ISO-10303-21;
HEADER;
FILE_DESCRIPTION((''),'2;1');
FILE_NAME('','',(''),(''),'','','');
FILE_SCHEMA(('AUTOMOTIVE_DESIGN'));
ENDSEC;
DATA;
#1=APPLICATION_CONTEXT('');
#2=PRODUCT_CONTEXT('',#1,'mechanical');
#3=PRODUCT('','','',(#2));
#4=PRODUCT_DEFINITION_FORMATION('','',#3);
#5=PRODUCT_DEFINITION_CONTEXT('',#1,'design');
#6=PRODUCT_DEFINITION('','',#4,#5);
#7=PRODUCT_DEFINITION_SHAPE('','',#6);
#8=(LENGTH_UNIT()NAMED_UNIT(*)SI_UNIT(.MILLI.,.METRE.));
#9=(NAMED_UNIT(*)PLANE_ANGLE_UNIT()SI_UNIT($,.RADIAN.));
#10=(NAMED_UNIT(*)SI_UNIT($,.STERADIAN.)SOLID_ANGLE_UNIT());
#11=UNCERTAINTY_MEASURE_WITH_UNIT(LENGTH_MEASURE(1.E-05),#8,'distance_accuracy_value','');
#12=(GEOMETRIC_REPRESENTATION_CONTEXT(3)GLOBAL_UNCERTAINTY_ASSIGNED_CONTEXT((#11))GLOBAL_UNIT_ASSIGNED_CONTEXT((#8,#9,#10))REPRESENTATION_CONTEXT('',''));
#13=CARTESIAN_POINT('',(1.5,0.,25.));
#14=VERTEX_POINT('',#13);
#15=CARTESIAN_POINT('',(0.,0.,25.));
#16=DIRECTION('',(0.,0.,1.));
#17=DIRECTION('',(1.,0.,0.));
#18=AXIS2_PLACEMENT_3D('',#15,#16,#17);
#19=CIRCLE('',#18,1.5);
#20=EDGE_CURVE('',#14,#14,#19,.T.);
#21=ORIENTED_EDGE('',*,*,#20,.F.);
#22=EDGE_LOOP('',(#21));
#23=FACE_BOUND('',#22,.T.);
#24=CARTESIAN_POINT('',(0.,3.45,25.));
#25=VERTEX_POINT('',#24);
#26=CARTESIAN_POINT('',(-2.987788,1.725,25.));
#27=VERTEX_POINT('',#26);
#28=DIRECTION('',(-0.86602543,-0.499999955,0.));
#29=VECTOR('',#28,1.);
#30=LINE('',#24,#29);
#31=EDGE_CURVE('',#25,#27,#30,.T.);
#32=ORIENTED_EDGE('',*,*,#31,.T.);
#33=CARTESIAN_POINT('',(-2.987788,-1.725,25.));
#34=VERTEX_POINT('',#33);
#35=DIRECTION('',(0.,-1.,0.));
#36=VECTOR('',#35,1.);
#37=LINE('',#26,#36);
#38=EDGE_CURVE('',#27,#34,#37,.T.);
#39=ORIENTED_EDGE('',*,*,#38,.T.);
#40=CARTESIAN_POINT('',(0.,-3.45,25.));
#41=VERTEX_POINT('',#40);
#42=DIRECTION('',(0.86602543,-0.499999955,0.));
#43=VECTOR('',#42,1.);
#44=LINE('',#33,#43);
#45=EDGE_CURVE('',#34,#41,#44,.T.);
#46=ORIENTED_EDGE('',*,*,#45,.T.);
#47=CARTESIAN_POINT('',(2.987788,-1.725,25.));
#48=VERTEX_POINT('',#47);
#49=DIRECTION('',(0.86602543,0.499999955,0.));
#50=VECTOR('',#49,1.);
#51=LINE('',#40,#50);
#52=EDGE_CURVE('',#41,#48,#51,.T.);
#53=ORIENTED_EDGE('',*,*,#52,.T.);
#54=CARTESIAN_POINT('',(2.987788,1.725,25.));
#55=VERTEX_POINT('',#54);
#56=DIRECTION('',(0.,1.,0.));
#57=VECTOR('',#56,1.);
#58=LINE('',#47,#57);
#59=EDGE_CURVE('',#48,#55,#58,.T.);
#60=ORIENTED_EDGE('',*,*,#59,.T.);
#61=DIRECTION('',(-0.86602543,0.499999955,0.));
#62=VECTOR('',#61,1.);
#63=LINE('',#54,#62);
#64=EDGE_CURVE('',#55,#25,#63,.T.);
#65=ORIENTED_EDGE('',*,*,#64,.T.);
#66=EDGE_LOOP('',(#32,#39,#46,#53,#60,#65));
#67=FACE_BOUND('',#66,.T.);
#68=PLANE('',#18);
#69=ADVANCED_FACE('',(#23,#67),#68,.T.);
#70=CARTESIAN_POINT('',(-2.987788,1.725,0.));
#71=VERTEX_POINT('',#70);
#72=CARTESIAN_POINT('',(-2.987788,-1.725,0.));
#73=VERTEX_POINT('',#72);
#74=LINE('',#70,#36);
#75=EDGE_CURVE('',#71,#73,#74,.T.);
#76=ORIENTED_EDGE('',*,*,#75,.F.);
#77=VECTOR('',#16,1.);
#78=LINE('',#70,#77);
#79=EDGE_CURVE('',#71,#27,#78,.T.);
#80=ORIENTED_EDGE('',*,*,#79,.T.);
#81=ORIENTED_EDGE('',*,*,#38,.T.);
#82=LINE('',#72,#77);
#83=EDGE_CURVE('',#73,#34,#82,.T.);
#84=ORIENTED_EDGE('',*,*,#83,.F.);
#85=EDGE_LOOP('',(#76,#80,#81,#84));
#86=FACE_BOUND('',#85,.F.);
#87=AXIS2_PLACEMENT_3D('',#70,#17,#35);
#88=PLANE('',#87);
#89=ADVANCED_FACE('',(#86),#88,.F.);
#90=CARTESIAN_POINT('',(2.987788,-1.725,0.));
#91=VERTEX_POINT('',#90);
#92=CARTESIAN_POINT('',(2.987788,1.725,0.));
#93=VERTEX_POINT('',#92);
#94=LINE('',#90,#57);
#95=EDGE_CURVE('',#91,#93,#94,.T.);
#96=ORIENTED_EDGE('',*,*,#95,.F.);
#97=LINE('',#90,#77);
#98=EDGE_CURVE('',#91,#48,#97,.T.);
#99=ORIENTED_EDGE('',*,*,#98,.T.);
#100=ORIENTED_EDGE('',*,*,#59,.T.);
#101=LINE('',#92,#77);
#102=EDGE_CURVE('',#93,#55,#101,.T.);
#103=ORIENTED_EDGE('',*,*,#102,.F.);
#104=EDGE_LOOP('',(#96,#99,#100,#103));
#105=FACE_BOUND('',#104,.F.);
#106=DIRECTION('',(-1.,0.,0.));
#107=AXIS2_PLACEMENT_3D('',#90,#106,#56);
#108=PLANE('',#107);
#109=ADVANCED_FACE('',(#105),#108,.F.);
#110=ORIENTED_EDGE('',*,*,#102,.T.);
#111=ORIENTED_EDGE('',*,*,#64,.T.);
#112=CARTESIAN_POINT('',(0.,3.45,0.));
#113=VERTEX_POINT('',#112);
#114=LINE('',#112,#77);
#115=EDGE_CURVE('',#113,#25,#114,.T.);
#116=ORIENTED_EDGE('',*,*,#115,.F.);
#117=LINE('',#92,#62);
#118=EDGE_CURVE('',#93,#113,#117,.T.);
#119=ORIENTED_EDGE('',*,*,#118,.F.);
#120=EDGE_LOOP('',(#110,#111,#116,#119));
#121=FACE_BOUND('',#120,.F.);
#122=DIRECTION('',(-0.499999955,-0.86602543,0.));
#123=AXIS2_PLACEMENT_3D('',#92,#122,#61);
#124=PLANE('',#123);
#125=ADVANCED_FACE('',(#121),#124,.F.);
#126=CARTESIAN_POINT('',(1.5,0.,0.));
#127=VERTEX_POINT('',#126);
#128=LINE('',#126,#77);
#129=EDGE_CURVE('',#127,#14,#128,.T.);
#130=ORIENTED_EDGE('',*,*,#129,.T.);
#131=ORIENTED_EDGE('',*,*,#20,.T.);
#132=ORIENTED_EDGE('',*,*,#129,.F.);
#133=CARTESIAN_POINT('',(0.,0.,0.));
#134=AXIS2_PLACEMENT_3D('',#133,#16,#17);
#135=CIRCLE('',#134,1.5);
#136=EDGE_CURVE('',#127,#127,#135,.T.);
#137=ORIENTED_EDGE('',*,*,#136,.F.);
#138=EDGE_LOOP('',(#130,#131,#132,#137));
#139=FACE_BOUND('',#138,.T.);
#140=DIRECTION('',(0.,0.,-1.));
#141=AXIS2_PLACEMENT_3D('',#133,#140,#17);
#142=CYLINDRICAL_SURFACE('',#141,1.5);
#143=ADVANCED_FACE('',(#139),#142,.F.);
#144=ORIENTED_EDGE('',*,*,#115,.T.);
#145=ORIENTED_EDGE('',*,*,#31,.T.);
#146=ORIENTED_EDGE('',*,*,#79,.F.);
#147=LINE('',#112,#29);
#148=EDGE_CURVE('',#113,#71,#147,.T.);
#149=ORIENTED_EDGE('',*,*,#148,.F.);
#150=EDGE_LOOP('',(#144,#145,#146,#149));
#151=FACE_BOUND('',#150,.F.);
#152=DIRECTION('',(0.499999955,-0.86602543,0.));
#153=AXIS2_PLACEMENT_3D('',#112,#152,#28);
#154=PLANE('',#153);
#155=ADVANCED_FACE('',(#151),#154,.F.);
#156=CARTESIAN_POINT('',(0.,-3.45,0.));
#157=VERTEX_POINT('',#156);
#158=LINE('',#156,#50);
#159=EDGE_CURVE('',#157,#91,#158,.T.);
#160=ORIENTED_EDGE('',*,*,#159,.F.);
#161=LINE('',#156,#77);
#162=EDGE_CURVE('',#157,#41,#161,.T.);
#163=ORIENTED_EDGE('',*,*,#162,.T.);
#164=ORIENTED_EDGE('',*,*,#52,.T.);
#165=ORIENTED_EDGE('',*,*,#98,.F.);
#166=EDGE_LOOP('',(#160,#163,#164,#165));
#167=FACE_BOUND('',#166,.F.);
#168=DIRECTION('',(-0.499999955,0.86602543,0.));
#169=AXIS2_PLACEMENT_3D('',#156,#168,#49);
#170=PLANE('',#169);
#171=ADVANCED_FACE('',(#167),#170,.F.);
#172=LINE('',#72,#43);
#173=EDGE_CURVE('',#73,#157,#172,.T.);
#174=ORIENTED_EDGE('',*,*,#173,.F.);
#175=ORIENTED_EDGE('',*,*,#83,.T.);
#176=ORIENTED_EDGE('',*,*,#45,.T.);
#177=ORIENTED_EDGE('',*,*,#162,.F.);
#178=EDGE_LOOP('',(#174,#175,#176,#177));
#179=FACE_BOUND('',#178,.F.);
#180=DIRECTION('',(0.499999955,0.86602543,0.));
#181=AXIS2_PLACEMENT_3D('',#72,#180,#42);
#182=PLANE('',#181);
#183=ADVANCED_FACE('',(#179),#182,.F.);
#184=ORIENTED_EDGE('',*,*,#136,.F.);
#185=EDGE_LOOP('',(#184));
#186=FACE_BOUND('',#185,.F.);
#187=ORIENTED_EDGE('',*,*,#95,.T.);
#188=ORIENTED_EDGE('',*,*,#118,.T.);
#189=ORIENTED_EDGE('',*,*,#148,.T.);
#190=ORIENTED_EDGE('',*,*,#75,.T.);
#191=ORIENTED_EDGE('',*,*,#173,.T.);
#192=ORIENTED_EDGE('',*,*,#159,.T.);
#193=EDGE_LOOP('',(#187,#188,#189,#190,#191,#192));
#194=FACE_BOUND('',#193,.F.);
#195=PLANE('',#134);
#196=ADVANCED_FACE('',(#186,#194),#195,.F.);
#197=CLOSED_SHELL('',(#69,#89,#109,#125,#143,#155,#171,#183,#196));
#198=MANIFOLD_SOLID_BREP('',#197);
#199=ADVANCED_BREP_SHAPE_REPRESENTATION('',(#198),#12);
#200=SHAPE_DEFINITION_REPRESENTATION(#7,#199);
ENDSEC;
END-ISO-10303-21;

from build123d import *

# Parameters (mm, degrees)
SKETCH_R  = 1.5
PAD_DEPTH = 25


with BuildPart() as part:
    # Sketch → Pad (new body)
    with BuildSketch(Plane.XY):
        Polygon((0, 3.45), (-2.987788, 1.725), (-2.987788, -1.725), (0, -3.45), (2.987788, -1.725), (2.987788, 1.725), align=None)
        Circle(SKETCH_R, mode=Mode.SUBTRACT)
    extrude(amount=PAD_DEPTH)


solid = part.part
